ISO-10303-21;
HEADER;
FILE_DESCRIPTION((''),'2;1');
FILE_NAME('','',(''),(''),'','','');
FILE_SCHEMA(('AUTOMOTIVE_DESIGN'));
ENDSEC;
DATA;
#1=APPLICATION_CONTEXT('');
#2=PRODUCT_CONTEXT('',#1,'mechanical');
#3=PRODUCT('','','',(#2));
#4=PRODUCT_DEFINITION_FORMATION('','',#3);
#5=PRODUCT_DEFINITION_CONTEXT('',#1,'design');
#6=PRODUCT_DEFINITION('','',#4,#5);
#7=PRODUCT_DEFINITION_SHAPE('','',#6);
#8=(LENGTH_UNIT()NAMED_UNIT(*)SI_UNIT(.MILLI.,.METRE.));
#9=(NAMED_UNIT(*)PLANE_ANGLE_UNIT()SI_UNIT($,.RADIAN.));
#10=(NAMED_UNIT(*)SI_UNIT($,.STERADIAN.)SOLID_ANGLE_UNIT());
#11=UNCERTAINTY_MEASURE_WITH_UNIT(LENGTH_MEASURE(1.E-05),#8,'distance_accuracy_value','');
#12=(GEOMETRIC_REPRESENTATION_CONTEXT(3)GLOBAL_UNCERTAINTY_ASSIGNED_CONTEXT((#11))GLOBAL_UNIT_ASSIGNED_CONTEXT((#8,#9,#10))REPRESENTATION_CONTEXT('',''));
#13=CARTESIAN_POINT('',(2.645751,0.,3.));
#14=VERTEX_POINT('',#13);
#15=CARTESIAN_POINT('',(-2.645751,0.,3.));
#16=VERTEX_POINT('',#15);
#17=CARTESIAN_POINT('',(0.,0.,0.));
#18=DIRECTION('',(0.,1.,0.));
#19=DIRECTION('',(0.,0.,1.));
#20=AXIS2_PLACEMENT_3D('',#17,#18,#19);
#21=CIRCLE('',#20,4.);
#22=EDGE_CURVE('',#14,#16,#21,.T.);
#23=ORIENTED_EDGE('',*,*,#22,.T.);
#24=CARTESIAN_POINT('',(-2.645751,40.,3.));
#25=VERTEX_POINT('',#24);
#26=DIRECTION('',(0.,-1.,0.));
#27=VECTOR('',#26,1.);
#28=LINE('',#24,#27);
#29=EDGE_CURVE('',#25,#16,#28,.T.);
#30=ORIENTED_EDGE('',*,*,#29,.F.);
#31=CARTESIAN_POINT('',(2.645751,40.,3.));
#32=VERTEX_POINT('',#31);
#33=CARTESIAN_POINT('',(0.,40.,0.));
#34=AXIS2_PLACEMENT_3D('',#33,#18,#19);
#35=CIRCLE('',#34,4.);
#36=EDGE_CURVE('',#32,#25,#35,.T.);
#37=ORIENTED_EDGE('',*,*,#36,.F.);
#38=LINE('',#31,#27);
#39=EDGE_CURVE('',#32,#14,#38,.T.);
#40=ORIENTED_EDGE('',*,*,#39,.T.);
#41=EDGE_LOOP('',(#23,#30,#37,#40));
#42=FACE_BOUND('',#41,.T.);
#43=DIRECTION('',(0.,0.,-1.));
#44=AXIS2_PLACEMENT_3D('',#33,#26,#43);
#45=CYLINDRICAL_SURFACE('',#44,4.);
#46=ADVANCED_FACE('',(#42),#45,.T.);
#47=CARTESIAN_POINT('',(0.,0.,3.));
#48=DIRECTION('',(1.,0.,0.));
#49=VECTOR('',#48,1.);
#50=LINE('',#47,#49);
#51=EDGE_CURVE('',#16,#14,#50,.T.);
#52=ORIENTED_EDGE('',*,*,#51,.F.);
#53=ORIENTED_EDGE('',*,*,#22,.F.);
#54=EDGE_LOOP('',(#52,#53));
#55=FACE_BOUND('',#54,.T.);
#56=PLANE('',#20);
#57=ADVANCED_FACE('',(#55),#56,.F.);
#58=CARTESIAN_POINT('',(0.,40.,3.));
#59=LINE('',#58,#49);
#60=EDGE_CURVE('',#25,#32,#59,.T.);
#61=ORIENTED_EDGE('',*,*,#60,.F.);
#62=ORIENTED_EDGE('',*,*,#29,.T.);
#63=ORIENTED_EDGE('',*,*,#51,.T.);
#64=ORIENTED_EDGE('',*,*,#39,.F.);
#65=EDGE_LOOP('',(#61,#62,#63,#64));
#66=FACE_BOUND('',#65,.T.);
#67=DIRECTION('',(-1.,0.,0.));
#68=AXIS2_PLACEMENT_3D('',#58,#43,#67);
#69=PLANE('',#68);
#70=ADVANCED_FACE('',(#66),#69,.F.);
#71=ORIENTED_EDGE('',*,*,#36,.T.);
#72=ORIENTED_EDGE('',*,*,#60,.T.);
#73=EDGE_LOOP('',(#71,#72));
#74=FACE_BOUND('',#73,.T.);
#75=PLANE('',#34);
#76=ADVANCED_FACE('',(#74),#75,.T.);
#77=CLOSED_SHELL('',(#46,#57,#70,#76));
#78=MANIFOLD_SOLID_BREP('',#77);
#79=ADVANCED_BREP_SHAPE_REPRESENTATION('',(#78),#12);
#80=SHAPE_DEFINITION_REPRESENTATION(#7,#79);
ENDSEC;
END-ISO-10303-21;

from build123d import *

# Parameters (mm, degrees)
BOSS_EXTRUDE1_DEPTH = 40


with BuildPart() as part:
    # Sketch1 → Boss-Extrude1 (new body)
    with BuildSketch(Plane(origin=(0, 0, 0), x_dir=(1, 0, 0), z_dir=(0, 1, 0))):
        with BuildLine():
            ThreePointArc((4, 0), (-1.645751311, 3.645751311), (-2.645751311, -3))
            Line((-2.645751311, -3), (2.645751311, -3))
            ThreePointArc((2.645751311, -3), (3.645751311, -1.645751311), (4, 0))
        make_face()
    extrude(amount=BOSS_EXTRUDE1_DEPTH)


solid = part.part
